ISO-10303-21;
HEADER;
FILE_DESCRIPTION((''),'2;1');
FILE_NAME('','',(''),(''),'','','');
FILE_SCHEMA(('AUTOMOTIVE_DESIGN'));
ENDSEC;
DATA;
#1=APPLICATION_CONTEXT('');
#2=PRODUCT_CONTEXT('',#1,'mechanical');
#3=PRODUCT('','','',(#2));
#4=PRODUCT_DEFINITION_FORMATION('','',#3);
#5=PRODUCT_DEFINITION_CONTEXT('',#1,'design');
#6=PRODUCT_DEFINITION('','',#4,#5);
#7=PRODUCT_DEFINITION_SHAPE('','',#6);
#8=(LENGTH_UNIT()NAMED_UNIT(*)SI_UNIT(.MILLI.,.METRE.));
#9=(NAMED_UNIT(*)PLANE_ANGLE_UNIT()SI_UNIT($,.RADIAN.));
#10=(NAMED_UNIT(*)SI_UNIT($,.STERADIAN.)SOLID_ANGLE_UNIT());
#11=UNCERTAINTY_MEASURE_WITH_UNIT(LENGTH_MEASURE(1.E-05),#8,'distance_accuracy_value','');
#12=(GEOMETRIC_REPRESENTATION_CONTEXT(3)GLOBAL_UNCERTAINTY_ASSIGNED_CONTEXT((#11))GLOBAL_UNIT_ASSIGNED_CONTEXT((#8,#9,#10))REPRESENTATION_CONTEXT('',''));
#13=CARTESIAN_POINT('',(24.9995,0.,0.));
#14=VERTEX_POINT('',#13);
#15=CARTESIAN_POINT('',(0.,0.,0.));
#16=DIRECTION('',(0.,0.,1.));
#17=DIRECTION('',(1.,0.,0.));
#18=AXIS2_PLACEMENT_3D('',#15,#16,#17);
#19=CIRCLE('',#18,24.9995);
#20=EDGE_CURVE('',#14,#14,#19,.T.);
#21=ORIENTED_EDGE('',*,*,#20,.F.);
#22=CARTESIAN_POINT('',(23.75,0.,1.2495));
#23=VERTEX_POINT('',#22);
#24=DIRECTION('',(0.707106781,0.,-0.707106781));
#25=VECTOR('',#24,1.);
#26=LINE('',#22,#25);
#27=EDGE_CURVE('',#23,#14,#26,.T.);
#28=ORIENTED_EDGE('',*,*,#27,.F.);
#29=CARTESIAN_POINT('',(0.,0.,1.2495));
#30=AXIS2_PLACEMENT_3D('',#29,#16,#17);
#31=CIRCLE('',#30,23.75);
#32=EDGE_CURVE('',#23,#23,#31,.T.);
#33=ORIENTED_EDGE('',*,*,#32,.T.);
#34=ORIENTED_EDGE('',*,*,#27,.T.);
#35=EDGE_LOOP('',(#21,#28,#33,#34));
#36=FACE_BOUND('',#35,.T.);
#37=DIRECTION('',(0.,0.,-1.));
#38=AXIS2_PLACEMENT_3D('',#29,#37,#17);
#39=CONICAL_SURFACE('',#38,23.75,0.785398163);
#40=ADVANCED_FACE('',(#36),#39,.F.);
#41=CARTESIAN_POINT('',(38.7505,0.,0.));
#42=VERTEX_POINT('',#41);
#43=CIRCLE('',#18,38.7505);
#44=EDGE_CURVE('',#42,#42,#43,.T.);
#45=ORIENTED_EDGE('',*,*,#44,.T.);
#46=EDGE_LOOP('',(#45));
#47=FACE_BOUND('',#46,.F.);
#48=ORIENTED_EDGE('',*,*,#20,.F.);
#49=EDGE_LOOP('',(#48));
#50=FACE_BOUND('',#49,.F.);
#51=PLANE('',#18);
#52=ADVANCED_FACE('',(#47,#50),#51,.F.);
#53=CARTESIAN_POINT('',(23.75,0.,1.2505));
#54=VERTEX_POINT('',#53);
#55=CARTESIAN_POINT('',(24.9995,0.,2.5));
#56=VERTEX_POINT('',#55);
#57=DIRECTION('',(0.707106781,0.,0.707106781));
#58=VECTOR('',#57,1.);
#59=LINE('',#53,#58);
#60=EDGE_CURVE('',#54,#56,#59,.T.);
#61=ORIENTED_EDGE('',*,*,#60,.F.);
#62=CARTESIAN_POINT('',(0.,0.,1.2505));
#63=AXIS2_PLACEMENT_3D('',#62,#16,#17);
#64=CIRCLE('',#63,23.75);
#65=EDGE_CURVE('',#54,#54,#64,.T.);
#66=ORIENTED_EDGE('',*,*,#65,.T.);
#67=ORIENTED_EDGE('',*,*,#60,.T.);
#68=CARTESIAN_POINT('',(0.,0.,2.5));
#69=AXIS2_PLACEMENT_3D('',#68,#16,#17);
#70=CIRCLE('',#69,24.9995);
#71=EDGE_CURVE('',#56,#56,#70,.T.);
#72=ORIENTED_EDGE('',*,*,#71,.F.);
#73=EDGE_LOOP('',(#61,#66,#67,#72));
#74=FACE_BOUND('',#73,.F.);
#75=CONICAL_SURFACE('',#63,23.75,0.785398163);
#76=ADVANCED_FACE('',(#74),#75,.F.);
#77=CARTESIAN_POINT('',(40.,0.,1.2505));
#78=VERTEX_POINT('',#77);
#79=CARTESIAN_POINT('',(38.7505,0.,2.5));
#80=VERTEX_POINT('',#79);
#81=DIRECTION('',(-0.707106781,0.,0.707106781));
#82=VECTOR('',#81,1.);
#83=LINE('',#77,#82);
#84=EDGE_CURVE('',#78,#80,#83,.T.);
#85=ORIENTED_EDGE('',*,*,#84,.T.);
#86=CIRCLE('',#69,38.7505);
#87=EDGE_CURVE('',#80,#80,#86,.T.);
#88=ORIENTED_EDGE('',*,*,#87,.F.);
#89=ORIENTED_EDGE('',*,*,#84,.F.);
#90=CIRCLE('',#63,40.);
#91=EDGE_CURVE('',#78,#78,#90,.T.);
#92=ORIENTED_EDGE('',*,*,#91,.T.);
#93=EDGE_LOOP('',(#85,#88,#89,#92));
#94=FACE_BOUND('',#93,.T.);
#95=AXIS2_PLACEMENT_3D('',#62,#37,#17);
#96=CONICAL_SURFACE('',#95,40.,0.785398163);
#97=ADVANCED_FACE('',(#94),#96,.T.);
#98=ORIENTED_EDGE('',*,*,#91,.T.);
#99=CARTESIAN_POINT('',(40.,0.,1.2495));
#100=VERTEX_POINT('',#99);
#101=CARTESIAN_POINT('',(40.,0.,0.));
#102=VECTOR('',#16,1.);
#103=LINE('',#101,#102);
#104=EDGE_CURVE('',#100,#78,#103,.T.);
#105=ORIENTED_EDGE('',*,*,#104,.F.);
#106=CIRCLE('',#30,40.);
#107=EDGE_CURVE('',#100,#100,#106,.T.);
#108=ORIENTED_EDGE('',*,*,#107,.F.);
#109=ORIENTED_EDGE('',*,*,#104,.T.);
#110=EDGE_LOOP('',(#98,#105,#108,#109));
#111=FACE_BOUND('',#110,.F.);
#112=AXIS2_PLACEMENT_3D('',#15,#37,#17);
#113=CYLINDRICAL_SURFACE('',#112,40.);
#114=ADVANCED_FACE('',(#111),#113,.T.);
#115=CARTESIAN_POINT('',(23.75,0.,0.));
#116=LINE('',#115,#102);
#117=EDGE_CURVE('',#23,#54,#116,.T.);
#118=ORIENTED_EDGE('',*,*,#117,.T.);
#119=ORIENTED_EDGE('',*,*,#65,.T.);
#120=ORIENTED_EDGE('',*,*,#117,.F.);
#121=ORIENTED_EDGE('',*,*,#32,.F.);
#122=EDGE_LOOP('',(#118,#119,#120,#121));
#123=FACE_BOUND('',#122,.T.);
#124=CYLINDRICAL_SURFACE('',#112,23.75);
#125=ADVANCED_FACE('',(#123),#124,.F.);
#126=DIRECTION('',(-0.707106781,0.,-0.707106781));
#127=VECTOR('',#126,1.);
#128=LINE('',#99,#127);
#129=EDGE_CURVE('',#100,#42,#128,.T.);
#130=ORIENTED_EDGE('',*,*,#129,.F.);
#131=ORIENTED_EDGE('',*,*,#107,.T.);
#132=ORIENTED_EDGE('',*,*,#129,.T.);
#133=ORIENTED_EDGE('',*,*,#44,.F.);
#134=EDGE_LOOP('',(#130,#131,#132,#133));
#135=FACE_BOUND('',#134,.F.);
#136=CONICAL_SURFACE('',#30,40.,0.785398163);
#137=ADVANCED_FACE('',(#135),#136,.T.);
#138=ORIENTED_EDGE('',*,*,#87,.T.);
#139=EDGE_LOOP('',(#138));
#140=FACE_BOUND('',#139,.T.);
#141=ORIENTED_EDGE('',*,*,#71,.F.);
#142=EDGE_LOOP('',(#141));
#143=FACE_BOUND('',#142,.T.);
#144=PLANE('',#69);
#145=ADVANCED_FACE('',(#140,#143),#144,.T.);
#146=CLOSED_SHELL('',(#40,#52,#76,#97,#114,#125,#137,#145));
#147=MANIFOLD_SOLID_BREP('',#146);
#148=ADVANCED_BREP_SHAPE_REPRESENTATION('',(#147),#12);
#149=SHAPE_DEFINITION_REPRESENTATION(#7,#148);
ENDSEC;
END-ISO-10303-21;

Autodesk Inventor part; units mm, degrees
ref_plane "YZ Plane" through (0, 0, 0) normal (1, 0, 0) x (0, 1, 0)
ref_plane "XZ Plane" through (0, 0, 0) normal (0, 1, 0) x (-1, 0, 0)
ref_plane "XY Plane" through (0, 0, 0) normal (0, 0, 1) x (1, 0, 0)
sketch "Sketch1" plane through (0, 0, 0) normal (0, 0, 1) x (1, 0, 0)
  circle A0 centre (0, 0) radius 23.75
  circle A1 centre (0, 0) radius 40
  dimension "d0" = 47.5
  dimension "d1" = 80
extrude "Extrusion1" add sketch "Sketch1" along normal blind 2.5
chamfer "Chamfer2" distance 1.25 angle 45 4 edges at (-23.75, 0, 2.5) (-23.75, 0, 0) (-40, 0, 0) (-40, 0, 2.5)
properties part number "Bottom_Ring"
